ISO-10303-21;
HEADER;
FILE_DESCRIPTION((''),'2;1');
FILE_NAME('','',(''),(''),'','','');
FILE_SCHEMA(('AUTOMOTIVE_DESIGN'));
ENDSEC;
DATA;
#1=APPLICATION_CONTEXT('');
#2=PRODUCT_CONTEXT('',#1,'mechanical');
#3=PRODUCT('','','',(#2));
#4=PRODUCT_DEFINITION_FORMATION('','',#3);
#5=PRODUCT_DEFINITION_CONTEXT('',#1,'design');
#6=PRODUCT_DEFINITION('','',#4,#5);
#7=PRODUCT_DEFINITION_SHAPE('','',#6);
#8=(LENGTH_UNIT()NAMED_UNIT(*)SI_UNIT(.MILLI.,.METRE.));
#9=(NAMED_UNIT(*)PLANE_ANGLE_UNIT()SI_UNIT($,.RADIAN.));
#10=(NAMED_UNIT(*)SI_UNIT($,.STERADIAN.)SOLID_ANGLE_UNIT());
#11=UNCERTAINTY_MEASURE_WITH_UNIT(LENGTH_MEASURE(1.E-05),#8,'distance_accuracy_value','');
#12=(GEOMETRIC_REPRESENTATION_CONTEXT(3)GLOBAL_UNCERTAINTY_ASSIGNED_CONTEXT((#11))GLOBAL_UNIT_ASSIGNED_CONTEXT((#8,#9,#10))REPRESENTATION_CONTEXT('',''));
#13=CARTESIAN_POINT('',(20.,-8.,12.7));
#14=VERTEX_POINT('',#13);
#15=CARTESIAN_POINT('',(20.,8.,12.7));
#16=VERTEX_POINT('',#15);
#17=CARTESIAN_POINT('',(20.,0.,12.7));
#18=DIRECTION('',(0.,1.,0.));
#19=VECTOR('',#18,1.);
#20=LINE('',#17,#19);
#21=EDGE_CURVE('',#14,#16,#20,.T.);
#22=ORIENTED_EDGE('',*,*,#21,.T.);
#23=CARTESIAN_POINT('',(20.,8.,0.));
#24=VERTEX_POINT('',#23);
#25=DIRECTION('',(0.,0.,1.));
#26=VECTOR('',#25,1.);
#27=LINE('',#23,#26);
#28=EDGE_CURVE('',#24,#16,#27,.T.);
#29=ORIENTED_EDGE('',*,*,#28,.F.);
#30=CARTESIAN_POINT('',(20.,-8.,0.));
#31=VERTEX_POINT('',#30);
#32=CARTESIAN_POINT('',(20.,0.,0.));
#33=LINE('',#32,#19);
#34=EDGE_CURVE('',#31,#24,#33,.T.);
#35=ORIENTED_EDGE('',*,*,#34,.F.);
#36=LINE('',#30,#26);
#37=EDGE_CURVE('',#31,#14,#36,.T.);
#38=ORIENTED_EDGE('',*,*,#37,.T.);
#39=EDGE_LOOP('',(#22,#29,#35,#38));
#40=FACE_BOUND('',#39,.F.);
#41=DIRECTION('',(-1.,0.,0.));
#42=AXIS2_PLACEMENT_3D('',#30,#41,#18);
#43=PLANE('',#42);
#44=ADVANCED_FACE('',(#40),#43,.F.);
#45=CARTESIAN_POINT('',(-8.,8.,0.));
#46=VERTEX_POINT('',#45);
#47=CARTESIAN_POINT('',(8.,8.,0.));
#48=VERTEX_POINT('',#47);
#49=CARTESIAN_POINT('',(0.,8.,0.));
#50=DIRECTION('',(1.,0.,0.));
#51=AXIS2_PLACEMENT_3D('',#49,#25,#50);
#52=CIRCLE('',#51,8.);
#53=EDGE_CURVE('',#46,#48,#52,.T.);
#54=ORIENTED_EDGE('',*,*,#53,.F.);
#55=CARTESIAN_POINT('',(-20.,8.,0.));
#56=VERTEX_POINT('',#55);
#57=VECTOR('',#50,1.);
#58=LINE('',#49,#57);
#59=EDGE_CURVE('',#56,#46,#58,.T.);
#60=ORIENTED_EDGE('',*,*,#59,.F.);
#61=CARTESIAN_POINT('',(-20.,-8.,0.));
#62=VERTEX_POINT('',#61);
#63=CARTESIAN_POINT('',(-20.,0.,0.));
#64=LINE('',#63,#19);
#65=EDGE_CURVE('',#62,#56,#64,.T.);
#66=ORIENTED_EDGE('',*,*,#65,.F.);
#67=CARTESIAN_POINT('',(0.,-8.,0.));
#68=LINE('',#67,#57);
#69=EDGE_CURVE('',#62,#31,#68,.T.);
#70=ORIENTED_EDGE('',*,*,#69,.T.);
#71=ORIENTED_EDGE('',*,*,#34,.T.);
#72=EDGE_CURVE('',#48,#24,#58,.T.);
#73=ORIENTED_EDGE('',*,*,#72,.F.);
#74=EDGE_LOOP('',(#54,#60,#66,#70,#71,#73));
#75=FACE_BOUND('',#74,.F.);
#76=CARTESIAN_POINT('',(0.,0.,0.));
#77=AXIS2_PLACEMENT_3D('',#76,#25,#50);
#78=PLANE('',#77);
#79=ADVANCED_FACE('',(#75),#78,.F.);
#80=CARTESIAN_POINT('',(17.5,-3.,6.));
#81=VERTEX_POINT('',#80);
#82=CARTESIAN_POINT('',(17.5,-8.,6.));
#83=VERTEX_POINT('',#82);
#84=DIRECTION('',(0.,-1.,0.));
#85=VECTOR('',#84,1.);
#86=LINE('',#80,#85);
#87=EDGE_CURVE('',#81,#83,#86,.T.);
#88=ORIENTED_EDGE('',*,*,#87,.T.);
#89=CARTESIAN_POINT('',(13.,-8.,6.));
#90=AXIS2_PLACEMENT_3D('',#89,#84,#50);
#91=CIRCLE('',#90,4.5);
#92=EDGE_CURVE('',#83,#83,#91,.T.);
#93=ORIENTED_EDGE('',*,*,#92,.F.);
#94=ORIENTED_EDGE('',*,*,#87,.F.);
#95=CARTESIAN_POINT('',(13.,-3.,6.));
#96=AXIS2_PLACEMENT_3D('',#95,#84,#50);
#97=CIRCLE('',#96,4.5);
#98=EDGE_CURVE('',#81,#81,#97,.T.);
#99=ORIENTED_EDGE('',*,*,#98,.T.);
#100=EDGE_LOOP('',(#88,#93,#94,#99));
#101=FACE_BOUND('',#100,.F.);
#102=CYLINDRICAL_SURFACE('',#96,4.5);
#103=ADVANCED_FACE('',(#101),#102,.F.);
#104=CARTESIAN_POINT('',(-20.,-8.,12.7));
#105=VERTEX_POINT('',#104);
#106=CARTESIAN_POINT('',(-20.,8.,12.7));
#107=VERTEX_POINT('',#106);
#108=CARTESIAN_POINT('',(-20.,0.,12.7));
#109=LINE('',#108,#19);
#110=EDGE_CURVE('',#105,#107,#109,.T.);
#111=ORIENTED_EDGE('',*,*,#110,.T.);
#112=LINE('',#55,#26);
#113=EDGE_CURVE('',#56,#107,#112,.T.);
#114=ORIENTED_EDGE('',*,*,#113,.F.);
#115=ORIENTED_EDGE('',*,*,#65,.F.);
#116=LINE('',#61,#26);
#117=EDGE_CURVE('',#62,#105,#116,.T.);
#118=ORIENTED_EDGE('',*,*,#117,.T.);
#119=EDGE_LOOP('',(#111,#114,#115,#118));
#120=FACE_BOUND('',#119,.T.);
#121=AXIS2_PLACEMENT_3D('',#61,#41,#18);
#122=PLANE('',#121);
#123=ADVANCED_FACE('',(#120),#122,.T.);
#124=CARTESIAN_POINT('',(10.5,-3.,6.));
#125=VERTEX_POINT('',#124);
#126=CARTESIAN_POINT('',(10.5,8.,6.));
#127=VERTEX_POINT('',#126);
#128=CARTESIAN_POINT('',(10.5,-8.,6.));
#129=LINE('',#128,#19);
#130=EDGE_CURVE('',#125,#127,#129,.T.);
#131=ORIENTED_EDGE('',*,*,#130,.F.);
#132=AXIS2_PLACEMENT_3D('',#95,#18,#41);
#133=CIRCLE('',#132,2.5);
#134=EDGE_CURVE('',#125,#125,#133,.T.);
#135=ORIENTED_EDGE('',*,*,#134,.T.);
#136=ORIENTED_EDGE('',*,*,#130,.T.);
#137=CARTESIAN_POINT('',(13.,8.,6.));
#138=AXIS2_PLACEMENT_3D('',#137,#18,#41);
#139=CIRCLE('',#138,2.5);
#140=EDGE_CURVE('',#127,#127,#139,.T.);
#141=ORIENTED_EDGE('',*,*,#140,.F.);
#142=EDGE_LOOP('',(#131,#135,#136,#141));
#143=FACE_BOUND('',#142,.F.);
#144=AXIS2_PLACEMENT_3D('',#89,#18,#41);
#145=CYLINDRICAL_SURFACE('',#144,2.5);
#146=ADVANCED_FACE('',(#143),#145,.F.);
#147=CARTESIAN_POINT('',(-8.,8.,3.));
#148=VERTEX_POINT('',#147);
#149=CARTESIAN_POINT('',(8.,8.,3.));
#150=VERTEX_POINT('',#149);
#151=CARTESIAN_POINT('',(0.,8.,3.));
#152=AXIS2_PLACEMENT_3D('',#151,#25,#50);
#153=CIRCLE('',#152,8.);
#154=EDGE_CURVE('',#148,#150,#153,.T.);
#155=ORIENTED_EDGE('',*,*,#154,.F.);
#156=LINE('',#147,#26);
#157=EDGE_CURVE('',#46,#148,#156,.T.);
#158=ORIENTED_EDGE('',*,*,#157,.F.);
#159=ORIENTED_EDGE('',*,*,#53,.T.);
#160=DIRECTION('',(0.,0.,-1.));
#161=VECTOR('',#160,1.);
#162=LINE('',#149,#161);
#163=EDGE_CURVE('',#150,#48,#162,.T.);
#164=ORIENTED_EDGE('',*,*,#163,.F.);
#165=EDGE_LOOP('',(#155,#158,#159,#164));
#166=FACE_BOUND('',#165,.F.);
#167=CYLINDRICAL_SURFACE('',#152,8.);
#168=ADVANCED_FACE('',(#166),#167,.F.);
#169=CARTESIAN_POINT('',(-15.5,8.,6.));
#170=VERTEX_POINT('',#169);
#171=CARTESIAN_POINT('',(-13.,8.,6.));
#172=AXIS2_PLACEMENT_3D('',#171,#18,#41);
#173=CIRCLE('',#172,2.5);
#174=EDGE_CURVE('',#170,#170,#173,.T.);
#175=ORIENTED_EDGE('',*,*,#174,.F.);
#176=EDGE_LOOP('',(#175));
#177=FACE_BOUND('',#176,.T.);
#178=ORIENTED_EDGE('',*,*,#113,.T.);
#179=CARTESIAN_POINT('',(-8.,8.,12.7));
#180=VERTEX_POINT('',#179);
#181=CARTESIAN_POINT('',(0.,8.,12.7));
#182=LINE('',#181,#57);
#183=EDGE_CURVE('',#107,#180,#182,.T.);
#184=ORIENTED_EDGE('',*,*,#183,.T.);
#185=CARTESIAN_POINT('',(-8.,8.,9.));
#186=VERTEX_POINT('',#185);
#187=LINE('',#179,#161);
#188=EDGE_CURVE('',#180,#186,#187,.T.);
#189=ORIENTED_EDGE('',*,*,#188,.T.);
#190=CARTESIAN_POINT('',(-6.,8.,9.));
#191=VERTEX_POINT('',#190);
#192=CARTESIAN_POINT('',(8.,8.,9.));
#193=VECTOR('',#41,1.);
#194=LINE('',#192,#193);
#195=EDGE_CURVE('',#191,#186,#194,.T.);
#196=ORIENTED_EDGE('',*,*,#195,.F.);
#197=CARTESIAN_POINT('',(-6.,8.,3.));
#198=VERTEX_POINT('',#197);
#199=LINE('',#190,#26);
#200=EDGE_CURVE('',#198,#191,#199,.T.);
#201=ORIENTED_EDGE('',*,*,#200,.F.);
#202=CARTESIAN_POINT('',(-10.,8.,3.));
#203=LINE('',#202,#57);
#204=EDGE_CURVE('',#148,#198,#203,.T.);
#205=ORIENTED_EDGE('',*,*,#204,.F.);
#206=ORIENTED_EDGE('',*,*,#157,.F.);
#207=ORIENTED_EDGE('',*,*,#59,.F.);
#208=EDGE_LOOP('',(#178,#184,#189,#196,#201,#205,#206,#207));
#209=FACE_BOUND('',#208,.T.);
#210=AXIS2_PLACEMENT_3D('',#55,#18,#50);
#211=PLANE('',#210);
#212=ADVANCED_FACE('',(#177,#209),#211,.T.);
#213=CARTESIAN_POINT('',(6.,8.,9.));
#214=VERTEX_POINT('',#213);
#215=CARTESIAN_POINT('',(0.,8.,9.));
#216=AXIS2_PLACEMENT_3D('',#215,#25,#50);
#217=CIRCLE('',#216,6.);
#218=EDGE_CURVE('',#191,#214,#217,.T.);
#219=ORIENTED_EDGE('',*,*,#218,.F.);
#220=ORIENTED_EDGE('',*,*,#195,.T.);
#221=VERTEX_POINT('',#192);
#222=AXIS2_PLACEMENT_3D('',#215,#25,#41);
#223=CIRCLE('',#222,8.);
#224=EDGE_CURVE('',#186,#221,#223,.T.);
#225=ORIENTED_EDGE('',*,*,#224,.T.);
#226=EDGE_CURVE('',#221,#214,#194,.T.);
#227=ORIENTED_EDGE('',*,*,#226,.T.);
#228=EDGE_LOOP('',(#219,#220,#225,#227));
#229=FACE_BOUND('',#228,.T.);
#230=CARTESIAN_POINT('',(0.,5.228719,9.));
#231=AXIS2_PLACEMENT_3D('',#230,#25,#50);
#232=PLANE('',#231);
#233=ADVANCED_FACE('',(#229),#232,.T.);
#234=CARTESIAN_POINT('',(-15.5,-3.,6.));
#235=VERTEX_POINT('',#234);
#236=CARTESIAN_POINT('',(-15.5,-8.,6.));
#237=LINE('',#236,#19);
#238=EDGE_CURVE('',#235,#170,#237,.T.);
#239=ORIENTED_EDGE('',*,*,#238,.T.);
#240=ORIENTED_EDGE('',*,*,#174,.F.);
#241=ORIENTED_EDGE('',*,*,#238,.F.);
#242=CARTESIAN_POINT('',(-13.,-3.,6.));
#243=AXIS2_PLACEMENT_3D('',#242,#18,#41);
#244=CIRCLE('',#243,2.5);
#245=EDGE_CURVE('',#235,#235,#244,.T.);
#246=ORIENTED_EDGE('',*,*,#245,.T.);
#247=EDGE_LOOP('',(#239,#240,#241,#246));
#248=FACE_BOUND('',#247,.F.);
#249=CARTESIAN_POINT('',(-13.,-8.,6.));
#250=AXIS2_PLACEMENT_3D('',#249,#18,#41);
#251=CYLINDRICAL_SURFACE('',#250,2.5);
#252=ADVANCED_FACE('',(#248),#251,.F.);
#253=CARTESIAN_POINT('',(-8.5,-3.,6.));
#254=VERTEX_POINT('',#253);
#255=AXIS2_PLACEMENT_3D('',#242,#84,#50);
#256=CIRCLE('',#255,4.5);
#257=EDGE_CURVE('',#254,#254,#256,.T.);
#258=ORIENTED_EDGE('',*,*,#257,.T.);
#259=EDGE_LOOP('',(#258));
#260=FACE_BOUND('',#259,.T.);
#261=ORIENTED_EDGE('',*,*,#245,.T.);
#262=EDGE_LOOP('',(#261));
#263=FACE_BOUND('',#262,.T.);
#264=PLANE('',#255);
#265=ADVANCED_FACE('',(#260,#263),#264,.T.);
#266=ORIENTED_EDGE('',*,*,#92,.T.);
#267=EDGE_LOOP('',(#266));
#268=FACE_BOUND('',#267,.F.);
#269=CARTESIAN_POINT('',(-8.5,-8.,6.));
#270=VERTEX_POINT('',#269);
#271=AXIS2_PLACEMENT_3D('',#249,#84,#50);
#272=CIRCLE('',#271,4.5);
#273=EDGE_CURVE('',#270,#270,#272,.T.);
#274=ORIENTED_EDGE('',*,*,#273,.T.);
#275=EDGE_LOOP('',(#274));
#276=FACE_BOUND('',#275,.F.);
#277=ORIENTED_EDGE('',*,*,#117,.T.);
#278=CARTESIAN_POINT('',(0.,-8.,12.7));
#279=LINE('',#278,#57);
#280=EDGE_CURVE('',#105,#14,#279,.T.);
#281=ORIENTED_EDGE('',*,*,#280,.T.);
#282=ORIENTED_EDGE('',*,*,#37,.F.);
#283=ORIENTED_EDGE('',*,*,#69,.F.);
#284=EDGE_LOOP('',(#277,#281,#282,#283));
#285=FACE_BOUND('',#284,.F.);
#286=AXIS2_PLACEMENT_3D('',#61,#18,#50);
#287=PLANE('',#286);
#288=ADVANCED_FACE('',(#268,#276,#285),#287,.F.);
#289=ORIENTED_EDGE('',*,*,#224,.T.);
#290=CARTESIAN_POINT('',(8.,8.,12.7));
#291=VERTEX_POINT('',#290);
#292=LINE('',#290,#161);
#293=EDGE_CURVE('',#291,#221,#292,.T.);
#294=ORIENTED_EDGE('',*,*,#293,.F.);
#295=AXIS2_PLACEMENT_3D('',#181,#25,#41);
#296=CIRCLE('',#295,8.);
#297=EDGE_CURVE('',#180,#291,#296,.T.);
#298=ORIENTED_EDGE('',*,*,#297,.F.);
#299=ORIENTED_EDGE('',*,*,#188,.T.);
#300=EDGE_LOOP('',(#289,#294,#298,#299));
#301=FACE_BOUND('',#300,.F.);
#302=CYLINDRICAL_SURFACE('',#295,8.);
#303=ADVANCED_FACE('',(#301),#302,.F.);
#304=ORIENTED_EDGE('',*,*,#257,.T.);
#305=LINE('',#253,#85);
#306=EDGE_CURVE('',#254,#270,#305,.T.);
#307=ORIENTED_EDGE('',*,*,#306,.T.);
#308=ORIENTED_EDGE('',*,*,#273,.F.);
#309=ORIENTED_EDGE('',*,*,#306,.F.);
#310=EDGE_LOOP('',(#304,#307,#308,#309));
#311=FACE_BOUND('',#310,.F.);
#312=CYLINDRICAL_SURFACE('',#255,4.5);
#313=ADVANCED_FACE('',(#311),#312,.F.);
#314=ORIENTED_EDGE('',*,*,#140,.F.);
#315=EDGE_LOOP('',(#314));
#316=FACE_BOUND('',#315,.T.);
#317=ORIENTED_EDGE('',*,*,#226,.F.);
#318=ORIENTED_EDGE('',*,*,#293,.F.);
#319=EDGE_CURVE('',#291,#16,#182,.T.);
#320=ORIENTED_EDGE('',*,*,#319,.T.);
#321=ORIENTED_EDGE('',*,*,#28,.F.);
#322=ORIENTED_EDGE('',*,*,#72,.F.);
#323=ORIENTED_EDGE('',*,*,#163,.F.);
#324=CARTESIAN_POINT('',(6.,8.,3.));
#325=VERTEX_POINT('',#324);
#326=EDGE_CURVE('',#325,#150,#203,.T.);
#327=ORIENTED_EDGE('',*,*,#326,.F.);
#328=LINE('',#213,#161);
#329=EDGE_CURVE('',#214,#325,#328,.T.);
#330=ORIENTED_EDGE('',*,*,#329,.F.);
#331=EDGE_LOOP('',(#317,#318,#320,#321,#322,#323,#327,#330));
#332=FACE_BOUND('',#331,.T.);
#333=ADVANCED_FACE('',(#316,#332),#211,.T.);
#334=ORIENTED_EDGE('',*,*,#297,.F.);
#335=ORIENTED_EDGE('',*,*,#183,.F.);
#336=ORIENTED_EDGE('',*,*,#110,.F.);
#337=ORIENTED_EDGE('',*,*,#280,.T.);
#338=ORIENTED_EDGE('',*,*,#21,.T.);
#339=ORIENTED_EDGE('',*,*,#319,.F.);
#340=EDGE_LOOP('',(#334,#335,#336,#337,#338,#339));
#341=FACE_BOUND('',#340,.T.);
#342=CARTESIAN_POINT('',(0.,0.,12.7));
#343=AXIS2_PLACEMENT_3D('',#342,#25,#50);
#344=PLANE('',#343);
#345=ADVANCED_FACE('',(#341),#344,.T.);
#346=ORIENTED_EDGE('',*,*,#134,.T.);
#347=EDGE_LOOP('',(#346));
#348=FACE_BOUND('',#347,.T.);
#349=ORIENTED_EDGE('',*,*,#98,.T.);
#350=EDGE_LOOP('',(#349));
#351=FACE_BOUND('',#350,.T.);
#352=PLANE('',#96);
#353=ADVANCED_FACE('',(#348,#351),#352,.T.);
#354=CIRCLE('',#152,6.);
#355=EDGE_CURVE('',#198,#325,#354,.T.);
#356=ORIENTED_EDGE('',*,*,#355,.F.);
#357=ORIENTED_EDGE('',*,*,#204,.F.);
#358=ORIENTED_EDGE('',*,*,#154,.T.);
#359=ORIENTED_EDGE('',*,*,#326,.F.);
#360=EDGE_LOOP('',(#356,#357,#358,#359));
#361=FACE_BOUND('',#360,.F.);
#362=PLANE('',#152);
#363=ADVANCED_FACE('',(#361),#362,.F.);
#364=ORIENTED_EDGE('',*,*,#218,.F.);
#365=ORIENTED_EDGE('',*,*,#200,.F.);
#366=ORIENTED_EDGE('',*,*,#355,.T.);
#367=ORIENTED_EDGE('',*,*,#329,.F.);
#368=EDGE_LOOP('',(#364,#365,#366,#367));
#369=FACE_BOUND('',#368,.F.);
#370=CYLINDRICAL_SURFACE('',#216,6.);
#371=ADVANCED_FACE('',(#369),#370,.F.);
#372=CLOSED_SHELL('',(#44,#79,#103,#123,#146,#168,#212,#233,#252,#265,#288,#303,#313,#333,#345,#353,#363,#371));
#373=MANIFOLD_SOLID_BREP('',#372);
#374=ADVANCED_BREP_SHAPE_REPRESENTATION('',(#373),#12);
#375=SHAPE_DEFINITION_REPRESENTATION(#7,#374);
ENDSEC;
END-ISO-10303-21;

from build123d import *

# Parameters (mm, degrees)
F0_W           = 40
F0_H           = 16
F1_DEPTH       = 12.7
F3_DEPTH       = 3.7
F4_R           = 6
F5_DEPTH       = 6
F6_R           = 8
F7_DEPTH       = 3
F9_D           = 5
F9_CBORE_D     = 9
F9_CBORE_DEPTH = 5


with BuildPart() as f1:
    # F0 (on Top) → F1 (new body)
    with BuildSketch(Plane.XY):
        Rectangle(F0_W, F0_H)
    extrude(amount=F1_DEPTH)

    # F2 (on face) → F3 (cut)
    with BuildSketch(Plane.XY.offset(12.7)):
        with BuildLine():
            ThreePointArc((-8, 8), (0, 0), (8, 8))
            Line((8, 8), (-8, 8))
        make_face()
    extrude(amount=-F3_DEPTH, mode=Mode.SUBTRACT)

    # F4 (on face) → F5 (cut)
    with BuildSketch(Plane.XY.offset(9)):
        with Locations((0, 8)):
            Circle(F4_R)
    extrude(amount=-F5_DEPTH, mode=Mode.SUBTRACT)

    # F6 (on face) → F7 (cut)
    with BuildSketch(Plane.XY.offset(3)):
        with Locations((0, 8)):
            Circle(F6_R)
    extrude(amount=-F7_DEPTH, mode=Mode.SUBTRACT)

    # F9 (through all)
    with Locations(Plane.XZ.offset(8)):
        with Locations((-13, 6), (13, 6)):
            CounterBoreHole(F9_D / 2, F9_CBORE_D / 2, F9_CBORE_DEPTH)


solid = f1.part
